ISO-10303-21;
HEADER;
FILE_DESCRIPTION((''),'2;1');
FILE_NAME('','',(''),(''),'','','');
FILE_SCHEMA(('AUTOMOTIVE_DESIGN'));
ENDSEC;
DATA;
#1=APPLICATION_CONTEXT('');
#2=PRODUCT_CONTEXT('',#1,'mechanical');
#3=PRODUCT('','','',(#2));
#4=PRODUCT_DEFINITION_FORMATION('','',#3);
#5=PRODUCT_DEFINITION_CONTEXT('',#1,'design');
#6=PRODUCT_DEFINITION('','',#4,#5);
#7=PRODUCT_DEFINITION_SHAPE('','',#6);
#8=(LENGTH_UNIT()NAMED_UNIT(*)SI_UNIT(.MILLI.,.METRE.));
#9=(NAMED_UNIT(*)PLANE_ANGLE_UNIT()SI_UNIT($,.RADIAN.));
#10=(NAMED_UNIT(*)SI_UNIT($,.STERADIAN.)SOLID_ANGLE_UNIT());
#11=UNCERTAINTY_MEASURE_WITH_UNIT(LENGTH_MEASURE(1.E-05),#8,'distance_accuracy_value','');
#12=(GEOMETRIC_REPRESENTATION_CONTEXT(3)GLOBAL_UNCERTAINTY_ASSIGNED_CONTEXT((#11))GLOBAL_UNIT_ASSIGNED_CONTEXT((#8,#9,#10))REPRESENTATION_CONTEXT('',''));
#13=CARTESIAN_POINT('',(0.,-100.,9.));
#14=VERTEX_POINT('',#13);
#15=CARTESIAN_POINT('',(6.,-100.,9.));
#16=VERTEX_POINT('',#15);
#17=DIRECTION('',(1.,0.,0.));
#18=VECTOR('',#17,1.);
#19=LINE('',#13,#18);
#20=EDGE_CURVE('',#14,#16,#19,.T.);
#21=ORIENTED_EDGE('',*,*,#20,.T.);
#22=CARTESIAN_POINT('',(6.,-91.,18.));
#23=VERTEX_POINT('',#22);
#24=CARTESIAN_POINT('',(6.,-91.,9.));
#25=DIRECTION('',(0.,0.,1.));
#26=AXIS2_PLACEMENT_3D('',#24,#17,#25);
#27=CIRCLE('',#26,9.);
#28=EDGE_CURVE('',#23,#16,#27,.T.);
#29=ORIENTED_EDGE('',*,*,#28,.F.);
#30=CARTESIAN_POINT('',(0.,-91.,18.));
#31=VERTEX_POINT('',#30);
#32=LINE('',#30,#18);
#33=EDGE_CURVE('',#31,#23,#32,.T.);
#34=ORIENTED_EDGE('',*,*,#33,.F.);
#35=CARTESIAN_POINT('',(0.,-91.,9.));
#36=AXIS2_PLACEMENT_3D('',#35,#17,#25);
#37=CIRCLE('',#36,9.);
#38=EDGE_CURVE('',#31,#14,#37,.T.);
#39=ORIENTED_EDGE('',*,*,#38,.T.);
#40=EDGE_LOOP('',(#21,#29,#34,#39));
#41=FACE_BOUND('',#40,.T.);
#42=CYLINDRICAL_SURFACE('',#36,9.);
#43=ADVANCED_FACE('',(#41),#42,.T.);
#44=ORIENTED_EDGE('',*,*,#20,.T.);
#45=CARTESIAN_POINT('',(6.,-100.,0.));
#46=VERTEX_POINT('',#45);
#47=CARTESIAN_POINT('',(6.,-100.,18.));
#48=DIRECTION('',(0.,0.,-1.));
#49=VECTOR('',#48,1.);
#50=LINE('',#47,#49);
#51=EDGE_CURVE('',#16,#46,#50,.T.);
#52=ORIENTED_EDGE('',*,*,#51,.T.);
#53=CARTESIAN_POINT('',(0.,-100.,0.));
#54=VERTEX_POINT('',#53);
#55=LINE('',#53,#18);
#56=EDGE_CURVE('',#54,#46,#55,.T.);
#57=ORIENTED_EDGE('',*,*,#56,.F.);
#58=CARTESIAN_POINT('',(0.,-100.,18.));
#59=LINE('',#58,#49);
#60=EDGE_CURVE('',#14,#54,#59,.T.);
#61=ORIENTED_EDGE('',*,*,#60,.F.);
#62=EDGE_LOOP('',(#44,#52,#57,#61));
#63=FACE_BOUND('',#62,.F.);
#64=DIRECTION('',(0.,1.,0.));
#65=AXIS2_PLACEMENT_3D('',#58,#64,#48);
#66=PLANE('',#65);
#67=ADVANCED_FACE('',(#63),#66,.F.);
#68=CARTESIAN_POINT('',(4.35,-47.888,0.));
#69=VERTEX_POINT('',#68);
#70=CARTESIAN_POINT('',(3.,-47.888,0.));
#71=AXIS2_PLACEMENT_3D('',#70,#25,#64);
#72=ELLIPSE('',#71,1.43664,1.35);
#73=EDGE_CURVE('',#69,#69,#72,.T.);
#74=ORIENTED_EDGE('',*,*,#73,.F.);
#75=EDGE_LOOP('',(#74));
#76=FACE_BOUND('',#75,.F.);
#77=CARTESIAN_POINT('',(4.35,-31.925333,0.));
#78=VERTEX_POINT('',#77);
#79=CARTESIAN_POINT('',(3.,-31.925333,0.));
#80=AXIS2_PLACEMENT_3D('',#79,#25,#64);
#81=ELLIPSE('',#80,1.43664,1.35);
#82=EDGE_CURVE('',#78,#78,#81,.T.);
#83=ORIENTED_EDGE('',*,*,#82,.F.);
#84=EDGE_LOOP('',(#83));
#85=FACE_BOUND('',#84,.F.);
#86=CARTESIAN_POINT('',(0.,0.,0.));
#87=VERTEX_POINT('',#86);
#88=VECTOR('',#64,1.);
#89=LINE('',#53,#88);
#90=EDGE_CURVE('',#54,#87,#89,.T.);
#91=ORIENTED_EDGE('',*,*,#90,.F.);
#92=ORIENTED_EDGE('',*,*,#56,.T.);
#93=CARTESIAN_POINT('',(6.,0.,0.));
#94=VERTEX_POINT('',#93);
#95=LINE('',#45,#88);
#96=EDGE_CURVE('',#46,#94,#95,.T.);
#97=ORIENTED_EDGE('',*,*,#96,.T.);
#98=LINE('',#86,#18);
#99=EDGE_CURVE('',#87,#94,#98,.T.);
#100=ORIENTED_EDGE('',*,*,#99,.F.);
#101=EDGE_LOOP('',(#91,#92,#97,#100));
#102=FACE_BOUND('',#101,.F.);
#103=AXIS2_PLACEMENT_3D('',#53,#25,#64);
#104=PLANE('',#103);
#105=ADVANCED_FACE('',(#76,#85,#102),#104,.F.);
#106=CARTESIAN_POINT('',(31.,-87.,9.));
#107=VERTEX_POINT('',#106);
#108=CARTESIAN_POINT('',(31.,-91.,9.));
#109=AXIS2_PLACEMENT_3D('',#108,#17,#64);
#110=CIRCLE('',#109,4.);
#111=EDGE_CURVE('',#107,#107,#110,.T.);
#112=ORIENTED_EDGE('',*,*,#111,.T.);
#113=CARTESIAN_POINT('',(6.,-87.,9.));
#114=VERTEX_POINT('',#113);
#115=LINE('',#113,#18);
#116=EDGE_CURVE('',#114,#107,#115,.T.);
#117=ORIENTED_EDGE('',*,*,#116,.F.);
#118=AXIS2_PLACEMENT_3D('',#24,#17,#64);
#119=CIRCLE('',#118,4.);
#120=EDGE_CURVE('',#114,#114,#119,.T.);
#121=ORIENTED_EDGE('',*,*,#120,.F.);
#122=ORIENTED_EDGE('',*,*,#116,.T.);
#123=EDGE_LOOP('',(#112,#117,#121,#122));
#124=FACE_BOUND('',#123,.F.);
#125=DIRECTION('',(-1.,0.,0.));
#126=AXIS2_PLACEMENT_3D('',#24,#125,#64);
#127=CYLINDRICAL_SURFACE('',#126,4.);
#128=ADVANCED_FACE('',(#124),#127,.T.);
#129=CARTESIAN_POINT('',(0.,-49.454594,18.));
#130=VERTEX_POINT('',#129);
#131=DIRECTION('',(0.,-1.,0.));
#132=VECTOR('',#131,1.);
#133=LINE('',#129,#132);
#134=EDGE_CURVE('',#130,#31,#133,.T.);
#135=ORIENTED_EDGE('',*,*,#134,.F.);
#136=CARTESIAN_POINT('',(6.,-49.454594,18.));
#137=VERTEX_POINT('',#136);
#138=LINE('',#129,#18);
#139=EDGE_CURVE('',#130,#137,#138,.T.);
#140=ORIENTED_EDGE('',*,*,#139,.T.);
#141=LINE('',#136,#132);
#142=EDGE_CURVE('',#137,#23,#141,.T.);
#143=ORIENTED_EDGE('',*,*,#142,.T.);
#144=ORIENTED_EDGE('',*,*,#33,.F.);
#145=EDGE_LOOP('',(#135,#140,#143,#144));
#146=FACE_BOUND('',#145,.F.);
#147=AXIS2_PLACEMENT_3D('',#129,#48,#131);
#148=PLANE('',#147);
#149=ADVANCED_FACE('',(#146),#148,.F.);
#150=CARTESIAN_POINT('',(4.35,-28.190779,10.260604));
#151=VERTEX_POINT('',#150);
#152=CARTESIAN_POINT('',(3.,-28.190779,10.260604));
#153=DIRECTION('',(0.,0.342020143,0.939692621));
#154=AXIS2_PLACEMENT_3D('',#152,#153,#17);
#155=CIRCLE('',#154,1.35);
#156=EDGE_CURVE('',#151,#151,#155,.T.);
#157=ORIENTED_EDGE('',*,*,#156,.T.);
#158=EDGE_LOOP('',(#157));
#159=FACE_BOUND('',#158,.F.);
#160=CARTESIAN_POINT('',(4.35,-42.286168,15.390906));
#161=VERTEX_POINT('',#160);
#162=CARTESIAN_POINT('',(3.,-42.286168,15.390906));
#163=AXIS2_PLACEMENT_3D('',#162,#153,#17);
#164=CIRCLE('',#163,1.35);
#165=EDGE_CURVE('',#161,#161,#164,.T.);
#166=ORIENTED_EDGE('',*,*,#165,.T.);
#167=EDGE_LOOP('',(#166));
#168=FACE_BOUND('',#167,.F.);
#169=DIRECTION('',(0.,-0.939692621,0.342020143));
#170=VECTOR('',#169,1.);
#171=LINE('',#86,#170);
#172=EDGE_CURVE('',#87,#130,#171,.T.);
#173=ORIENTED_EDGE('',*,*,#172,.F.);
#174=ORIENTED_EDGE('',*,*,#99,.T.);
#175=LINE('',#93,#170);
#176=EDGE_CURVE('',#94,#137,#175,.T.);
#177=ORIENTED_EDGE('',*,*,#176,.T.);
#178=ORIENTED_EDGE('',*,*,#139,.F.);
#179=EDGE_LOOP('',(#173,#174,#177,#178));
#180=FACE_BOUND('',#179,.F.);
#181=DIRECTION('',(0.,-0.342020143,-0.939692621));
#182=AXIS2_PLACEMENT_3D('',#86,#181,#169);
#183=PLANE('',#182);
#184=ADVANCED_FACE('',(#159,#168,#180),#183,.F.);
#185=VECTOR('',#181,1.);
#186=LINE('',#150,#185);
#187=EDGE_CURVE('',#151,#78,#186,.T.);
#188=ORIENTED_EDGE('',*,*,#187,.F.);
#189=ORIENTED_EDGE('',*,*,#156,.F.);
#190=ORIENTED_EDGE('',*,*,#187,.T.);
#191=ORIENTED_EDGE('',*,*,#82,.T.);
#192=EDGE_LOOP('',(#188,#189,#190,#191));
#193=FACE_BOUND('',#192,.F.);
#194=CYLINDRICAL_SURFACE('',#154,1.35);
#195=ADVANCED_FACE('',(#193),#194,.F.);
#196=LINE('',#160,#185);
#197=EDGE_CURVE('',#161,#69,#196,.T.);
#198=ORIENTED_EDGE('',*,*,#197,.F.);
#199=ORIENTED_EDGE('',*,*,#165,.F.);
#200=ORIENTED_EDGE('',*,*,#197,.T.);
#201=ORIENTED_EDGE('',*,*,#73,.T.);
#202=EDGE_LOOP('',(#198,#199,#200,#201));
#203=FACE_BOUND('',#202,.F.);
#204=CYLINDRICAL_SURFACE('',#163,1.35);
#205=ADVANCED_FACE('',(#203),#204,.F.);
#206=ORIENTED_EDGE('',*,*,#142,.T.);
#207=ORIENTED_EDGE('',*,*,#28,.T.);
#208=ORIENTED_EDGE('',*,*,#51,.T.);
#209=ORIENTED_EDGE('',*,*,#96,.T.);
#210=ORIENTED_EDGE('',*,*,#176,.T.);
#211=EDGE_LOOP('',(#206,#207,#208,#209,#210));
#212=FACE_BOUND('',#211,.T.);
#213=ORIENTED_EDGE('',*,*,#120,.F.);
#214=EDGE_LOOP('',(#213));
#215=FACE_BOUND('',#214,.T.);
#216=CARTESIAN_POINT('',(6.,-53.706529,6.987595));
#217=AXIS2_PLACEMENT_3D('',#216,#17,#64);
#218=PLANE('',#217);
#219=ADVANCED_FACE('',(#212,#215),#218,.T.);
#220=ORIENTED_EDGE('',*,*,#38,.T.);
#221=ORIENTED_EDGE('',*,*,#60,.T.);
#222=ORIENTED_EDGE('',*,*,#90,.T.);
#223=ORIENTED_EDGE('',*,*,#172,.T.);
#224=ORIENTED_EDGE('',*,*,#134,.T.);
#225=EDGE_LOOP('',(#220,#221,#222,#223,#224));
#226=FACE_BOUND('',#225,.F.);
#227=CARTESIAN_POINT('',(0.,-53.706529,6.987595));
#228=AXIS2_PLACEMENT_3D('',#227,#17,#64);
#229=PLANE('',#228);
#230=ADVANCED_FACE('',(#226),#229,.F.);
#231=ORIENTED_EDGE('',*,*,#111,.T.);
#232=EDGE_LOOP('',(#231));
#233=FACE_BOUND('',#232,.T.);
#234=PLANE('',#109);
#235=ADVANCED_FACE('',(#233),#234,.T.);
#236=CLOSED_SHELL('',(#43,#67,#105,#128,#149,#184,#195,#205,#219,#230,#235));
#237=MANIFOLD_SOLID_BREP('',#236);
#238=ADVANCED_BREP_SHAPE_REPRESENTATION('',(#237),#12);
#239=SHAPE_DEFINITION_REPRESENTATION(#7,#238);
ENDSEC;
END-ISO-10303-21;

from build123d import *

# Parameters (mm, degrees)
F1_DEPTH = 6
F2_R     = 9
F3_R     = 4
F4_DEPTH = 25
F5_R     = 1.35
F6_DEPTH = 25


with BuildPart() as f1:
    # F0 (on Right) → F1 (new body)
    with BuildSketch(Plane.YZ):
        Polygon((-100, 0), (0, 0), (-49.4545935502, 18), (-100, 18), align=None)
    extrude(amount=F1_DEPTH)

    # F2
    f2_edges = [f1.edges().sort_by_distance(p)[0] for p in [
        (3, -100, 18),
    ]]
    fillet(f2_edges, radius=F2_R)

    # F3 (on face) → F4 (join)
    with BuildSketch(Plane.YZ.offset(6)):
        with Locations((-91, 9)):
            Circle(F3_R)
    extrude(amount=F4_DEPTH)

    # F5 (on face) → F6 (cut)
    with BuildSketch(Plane(origin=(0, 0, 0), x_dir=(1, 0, 0), z_dir=(0, 0.3420201433, 0.9396926208))):
        with Locations((3, -45)):
            Circle(F5_R)
        with Locations((3, -30)):
            Circle(F5_R)
    extrude(amount=-F6_DEPTH, mode=Mode.SUBTRACT)


solid = f1.part
